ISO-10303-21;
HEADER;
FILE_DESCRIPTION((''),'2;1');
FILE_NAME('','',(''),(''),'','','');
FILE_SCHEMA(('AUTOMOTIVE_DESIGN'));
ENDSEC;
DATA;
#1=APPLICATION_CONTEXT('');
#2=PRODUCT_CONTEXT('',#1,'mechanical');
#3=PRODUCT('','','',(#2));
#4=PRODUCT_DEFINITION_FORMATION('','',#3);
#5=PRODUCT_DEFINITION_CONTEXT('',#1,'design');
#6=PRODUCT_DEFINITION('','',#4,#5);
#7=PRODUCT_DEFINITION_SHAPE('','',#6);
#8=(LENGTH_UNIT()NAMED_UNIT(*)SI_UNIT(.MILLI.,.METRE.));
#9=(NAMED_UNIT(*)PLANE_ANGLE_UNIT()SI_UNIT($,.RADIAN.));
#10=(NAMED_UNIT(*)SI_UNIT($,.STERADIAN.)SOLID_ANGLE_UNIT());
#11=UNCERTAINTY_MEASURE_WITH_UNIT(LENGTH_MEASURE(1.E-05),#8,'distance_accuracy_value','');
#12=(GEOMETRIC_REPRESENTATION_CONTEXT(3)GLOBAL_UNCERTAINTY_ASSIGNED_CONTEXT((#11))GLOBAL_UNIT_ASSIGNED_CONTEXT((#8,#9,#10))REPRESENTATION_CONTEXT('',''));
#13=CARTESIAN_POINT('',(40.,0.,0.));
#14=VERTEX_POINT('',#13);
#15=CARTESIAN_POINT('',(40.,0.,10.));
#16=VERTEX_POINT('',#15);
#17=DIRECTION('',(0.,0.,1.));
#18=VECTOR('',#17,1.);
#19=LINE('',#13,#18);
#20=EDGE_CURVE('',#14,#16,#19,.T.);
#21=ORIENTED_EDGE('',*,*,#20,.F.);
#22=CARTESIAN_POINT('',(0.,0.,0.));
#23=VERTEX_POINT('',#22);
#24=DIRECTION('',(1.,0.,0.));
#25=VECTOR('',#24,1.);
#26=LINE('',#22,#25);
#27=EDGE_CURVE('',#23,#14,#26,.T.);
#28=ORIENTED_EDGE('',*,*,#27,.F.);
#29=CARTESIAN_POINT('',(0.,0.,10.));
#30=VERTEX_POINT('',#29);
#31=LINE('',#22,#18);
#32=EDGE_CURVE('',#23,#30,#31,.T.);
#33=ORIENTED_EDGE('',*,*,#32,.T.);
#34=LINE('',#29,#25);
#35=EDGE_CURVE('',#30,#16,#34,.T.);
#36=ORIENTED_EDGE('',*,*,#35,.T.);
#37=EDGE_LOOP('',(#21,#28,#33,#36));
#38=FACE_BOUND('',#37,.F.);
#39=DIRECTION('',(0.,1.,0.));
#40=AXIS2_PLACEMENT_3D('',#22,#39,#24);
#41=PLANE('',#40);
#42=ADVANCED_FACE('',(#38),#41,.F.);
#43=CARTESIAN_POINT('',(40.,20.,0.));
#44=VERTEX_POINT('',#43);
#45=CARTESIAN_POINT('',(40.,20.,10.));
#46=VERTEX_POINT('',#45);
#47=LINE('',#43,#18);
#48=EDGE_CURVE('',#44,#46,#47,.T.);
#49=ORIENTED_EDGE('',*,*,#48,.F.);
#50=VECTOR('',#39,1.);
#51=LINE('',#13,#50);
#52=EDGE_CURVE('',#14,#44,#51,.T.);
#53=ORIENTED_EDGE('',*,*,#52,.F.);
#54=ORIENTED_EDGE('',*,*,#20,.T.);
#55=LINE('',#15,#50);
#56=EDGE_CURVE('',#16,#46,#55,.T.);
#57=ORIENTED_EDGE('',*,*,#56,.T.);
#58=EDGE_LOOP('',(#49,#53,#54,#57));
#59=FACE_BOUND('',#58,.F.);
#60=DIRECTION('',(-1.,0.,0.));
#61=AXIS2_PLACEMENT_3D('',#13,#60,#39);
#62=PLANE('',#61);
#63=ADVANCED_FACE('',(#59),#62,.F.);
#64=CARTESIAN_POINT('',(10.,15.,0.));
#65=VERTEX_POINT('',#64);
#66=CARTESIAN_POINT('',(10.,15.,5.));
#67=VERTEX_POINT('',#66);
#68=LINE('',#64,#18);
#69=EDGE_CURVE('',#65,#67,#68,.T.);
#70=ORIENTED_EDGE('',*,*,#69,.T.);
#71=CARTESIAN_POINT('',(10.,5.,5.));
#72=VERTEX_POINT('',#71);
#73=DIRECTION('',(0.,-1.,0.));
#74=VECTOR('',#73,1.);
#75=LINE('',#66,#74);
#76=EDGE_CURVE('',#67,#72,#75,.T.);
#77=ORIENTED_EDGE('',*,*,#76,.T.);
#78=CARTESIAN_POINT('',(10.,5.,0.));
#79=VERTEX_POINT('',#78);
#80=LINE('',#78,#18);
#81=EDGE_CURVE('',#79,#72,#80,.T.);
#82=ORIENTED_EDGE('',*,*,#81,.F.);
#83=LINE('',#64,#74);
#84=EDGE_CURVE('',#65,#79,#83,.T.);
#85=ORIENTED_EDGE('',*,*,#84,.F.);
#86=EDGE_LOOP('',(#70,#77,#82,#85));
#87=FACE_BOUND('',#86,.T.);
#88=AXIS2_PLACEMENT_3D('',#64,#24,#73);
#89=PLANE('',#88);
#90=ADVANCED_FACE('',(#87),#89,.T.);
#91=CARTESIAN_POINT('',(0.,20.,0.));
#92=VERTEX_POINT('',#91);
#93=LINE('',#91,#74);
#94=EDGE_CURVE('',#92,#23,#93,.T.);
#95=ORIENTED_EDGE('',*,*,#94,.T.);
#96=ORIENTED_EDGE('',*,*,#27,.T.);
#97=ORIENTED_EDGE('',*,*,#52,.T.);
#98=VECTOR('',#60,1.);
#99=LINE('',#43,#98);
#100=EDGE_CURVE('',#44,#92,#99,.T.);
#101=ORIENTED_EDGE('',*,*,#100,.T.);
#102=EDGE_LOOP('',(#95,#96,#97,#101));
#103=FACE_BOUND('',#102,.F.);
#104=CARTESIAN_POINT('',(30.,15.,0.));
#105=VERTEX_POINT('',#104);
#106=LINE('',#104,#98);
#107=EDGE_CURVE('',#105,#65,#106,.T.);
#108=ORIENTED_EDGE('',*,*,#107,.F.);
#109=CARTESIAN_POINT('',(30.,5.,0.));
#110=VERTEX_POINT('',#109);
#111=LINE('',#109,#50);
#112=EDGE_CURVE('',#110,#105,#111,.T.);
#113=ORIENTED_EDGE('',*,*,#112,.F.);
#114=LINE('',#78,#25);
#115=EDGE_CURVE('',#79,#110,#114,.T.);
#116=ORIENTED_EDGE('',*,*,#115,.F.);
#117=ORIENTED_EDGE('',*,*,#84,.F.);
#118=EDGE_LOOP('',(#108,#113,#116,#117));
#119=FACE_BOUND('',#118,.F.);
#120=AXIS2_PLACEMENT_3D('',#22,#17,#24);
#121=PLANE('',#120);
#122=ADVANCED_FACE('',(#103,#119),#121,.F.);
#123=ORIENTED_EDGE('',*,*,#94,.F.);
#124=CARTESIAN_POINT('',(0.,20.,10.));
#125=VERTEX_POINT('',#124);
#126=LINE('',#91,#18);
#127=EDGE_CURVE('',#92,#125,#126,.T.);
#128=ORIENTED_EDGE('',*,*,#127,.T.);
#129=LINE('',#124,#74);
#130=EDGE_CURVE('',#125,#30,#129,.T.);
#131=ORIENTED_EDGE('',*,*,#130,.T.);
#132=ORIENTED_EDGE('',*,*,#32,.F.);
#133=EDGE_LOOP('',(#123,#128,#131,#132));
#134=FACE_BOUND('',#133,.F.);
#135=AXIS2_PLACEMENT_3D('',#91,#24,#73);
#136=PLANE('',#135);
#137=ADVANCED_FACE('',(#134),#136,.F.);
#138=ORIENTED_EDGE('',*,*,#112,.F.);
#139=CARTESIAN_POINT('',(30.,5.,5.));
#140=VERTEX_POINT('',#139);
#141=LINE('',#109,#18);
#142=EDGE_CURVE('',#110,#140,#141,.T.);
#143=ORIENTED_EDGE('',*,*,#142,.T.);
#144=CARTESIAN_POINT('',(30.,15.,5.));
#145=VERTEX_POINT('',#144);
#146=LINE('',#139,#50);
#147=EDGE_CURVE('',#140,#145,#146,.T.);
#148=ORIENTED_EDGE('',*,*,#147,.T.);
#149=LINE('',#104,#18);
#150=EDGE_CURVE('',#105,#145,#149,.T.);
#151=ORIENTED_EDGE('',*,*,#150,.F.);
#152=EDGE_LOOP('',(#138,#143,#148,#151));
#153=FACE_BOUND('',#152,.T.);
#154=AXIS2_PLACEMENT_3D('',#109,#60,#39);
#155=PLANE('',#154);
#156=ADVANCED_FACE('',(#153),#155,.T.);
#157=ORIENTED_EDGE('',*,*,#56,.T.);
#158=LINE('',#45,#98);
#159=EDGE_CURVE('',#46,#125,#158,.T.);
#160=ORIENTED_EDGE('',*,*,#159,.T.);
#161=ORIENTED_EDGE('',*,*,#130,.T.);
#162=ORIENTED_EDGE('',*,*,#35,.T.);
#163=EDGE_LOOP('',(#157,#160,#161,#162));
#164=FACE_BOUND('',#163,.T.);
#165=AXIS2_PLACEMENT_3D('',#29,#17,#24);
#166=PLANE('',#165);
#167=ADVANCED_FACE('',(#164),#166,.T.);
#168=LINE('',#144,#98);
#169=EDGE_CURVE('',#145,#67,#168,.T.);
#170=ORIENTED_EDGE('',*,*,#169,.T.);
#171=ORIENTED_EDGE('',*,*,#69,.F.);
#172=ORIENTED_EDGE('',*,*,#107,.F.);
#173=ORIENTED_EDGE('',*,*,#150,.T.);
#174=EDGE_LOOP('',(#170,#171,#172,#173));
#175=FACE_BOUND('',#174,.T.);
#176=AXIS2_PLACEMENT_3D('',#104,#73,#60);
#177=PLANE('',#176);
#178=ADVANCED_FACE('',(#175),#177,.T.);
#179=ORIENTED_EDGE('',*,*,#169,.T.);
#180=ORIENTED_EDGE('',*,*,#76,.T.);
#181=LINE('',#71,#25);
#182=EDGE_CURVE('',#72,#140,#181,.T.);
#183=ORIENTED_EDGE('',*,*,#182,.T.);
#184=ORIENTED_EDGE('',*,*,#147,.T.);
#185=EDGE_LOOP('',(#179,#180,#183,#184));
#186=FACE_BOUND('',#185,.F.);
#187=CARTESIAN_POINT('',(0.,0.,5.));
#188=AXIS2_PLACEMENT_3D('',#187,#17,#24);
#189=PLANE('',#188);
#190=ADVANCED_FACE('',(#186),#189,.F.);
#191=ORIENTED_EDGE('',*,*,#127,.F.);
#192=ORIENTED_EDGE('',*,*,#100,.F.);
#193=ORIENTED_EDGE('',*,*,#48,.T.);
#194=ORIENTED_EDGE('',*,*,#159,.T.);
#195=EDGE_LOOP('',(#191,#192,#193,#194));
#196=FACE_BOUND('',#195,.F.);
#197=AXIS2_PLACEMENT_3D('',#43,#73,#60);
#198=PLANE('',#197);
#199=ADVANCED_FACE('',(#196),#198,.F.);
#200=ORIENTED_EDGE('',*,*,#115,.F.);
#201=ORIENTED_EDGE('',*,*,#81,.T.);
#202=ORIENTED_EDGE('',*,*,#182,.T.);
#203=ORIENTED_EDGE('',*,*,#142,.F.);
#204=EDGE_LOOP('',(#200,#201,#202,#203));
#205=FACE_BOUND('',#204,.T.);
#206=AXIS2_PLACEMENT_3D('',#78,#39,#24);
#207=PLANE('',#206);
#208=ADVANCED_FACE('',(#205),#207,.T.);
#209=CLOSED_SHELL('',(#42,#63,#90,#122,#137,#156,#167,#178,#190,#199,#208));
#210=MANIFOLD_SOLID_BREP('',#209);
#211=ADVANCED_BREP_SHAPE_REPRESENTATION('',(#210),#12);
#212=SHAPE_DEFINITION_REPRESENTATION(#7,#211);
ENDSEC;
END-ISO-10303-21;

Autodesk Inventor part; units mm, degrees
ref_plane "YZ Plane" through (0, 0, 0) normal (1, 0, 0) x (0, 1, 0)
ref_plane "XZ Plane" through (0, 0, 0) normal (0, 1, 0) x (-1, 0, 0)
ref_plane "XY Plane" through (0, 0, 0) normal (0, 0, 1) x (1, 0, 0)
sketch "Sketch1" plane through (0, 0, 0) normal (0, 0, 1) x (1, 0, 0)
  line L0 (0, 0) -> (40, 0)
  line L1 (40, 0) -> (40, 20)
  line L2 (40, 20) -> (0, 20)
  line L3 (0, 20) -> (0, 0)
extrude "Extrusion1" add sketch "Sketch1" along normal blind 10
sketch "Sketch2" plane through (0, 0, 0) normal (0, 0, 1) x (1, 0, 0)
  line L0 (10, 5) -> (30, 5)
  line L1 (30, 5) -> (30, 15)
  line L2 (30, 15) -> (10, 15)
  line L3 (10, 15) -> (10, 5)
extrude "Extrusion2" cut sketch "Sketch2" along normal blind 5
properties part number "17_box_cut"
